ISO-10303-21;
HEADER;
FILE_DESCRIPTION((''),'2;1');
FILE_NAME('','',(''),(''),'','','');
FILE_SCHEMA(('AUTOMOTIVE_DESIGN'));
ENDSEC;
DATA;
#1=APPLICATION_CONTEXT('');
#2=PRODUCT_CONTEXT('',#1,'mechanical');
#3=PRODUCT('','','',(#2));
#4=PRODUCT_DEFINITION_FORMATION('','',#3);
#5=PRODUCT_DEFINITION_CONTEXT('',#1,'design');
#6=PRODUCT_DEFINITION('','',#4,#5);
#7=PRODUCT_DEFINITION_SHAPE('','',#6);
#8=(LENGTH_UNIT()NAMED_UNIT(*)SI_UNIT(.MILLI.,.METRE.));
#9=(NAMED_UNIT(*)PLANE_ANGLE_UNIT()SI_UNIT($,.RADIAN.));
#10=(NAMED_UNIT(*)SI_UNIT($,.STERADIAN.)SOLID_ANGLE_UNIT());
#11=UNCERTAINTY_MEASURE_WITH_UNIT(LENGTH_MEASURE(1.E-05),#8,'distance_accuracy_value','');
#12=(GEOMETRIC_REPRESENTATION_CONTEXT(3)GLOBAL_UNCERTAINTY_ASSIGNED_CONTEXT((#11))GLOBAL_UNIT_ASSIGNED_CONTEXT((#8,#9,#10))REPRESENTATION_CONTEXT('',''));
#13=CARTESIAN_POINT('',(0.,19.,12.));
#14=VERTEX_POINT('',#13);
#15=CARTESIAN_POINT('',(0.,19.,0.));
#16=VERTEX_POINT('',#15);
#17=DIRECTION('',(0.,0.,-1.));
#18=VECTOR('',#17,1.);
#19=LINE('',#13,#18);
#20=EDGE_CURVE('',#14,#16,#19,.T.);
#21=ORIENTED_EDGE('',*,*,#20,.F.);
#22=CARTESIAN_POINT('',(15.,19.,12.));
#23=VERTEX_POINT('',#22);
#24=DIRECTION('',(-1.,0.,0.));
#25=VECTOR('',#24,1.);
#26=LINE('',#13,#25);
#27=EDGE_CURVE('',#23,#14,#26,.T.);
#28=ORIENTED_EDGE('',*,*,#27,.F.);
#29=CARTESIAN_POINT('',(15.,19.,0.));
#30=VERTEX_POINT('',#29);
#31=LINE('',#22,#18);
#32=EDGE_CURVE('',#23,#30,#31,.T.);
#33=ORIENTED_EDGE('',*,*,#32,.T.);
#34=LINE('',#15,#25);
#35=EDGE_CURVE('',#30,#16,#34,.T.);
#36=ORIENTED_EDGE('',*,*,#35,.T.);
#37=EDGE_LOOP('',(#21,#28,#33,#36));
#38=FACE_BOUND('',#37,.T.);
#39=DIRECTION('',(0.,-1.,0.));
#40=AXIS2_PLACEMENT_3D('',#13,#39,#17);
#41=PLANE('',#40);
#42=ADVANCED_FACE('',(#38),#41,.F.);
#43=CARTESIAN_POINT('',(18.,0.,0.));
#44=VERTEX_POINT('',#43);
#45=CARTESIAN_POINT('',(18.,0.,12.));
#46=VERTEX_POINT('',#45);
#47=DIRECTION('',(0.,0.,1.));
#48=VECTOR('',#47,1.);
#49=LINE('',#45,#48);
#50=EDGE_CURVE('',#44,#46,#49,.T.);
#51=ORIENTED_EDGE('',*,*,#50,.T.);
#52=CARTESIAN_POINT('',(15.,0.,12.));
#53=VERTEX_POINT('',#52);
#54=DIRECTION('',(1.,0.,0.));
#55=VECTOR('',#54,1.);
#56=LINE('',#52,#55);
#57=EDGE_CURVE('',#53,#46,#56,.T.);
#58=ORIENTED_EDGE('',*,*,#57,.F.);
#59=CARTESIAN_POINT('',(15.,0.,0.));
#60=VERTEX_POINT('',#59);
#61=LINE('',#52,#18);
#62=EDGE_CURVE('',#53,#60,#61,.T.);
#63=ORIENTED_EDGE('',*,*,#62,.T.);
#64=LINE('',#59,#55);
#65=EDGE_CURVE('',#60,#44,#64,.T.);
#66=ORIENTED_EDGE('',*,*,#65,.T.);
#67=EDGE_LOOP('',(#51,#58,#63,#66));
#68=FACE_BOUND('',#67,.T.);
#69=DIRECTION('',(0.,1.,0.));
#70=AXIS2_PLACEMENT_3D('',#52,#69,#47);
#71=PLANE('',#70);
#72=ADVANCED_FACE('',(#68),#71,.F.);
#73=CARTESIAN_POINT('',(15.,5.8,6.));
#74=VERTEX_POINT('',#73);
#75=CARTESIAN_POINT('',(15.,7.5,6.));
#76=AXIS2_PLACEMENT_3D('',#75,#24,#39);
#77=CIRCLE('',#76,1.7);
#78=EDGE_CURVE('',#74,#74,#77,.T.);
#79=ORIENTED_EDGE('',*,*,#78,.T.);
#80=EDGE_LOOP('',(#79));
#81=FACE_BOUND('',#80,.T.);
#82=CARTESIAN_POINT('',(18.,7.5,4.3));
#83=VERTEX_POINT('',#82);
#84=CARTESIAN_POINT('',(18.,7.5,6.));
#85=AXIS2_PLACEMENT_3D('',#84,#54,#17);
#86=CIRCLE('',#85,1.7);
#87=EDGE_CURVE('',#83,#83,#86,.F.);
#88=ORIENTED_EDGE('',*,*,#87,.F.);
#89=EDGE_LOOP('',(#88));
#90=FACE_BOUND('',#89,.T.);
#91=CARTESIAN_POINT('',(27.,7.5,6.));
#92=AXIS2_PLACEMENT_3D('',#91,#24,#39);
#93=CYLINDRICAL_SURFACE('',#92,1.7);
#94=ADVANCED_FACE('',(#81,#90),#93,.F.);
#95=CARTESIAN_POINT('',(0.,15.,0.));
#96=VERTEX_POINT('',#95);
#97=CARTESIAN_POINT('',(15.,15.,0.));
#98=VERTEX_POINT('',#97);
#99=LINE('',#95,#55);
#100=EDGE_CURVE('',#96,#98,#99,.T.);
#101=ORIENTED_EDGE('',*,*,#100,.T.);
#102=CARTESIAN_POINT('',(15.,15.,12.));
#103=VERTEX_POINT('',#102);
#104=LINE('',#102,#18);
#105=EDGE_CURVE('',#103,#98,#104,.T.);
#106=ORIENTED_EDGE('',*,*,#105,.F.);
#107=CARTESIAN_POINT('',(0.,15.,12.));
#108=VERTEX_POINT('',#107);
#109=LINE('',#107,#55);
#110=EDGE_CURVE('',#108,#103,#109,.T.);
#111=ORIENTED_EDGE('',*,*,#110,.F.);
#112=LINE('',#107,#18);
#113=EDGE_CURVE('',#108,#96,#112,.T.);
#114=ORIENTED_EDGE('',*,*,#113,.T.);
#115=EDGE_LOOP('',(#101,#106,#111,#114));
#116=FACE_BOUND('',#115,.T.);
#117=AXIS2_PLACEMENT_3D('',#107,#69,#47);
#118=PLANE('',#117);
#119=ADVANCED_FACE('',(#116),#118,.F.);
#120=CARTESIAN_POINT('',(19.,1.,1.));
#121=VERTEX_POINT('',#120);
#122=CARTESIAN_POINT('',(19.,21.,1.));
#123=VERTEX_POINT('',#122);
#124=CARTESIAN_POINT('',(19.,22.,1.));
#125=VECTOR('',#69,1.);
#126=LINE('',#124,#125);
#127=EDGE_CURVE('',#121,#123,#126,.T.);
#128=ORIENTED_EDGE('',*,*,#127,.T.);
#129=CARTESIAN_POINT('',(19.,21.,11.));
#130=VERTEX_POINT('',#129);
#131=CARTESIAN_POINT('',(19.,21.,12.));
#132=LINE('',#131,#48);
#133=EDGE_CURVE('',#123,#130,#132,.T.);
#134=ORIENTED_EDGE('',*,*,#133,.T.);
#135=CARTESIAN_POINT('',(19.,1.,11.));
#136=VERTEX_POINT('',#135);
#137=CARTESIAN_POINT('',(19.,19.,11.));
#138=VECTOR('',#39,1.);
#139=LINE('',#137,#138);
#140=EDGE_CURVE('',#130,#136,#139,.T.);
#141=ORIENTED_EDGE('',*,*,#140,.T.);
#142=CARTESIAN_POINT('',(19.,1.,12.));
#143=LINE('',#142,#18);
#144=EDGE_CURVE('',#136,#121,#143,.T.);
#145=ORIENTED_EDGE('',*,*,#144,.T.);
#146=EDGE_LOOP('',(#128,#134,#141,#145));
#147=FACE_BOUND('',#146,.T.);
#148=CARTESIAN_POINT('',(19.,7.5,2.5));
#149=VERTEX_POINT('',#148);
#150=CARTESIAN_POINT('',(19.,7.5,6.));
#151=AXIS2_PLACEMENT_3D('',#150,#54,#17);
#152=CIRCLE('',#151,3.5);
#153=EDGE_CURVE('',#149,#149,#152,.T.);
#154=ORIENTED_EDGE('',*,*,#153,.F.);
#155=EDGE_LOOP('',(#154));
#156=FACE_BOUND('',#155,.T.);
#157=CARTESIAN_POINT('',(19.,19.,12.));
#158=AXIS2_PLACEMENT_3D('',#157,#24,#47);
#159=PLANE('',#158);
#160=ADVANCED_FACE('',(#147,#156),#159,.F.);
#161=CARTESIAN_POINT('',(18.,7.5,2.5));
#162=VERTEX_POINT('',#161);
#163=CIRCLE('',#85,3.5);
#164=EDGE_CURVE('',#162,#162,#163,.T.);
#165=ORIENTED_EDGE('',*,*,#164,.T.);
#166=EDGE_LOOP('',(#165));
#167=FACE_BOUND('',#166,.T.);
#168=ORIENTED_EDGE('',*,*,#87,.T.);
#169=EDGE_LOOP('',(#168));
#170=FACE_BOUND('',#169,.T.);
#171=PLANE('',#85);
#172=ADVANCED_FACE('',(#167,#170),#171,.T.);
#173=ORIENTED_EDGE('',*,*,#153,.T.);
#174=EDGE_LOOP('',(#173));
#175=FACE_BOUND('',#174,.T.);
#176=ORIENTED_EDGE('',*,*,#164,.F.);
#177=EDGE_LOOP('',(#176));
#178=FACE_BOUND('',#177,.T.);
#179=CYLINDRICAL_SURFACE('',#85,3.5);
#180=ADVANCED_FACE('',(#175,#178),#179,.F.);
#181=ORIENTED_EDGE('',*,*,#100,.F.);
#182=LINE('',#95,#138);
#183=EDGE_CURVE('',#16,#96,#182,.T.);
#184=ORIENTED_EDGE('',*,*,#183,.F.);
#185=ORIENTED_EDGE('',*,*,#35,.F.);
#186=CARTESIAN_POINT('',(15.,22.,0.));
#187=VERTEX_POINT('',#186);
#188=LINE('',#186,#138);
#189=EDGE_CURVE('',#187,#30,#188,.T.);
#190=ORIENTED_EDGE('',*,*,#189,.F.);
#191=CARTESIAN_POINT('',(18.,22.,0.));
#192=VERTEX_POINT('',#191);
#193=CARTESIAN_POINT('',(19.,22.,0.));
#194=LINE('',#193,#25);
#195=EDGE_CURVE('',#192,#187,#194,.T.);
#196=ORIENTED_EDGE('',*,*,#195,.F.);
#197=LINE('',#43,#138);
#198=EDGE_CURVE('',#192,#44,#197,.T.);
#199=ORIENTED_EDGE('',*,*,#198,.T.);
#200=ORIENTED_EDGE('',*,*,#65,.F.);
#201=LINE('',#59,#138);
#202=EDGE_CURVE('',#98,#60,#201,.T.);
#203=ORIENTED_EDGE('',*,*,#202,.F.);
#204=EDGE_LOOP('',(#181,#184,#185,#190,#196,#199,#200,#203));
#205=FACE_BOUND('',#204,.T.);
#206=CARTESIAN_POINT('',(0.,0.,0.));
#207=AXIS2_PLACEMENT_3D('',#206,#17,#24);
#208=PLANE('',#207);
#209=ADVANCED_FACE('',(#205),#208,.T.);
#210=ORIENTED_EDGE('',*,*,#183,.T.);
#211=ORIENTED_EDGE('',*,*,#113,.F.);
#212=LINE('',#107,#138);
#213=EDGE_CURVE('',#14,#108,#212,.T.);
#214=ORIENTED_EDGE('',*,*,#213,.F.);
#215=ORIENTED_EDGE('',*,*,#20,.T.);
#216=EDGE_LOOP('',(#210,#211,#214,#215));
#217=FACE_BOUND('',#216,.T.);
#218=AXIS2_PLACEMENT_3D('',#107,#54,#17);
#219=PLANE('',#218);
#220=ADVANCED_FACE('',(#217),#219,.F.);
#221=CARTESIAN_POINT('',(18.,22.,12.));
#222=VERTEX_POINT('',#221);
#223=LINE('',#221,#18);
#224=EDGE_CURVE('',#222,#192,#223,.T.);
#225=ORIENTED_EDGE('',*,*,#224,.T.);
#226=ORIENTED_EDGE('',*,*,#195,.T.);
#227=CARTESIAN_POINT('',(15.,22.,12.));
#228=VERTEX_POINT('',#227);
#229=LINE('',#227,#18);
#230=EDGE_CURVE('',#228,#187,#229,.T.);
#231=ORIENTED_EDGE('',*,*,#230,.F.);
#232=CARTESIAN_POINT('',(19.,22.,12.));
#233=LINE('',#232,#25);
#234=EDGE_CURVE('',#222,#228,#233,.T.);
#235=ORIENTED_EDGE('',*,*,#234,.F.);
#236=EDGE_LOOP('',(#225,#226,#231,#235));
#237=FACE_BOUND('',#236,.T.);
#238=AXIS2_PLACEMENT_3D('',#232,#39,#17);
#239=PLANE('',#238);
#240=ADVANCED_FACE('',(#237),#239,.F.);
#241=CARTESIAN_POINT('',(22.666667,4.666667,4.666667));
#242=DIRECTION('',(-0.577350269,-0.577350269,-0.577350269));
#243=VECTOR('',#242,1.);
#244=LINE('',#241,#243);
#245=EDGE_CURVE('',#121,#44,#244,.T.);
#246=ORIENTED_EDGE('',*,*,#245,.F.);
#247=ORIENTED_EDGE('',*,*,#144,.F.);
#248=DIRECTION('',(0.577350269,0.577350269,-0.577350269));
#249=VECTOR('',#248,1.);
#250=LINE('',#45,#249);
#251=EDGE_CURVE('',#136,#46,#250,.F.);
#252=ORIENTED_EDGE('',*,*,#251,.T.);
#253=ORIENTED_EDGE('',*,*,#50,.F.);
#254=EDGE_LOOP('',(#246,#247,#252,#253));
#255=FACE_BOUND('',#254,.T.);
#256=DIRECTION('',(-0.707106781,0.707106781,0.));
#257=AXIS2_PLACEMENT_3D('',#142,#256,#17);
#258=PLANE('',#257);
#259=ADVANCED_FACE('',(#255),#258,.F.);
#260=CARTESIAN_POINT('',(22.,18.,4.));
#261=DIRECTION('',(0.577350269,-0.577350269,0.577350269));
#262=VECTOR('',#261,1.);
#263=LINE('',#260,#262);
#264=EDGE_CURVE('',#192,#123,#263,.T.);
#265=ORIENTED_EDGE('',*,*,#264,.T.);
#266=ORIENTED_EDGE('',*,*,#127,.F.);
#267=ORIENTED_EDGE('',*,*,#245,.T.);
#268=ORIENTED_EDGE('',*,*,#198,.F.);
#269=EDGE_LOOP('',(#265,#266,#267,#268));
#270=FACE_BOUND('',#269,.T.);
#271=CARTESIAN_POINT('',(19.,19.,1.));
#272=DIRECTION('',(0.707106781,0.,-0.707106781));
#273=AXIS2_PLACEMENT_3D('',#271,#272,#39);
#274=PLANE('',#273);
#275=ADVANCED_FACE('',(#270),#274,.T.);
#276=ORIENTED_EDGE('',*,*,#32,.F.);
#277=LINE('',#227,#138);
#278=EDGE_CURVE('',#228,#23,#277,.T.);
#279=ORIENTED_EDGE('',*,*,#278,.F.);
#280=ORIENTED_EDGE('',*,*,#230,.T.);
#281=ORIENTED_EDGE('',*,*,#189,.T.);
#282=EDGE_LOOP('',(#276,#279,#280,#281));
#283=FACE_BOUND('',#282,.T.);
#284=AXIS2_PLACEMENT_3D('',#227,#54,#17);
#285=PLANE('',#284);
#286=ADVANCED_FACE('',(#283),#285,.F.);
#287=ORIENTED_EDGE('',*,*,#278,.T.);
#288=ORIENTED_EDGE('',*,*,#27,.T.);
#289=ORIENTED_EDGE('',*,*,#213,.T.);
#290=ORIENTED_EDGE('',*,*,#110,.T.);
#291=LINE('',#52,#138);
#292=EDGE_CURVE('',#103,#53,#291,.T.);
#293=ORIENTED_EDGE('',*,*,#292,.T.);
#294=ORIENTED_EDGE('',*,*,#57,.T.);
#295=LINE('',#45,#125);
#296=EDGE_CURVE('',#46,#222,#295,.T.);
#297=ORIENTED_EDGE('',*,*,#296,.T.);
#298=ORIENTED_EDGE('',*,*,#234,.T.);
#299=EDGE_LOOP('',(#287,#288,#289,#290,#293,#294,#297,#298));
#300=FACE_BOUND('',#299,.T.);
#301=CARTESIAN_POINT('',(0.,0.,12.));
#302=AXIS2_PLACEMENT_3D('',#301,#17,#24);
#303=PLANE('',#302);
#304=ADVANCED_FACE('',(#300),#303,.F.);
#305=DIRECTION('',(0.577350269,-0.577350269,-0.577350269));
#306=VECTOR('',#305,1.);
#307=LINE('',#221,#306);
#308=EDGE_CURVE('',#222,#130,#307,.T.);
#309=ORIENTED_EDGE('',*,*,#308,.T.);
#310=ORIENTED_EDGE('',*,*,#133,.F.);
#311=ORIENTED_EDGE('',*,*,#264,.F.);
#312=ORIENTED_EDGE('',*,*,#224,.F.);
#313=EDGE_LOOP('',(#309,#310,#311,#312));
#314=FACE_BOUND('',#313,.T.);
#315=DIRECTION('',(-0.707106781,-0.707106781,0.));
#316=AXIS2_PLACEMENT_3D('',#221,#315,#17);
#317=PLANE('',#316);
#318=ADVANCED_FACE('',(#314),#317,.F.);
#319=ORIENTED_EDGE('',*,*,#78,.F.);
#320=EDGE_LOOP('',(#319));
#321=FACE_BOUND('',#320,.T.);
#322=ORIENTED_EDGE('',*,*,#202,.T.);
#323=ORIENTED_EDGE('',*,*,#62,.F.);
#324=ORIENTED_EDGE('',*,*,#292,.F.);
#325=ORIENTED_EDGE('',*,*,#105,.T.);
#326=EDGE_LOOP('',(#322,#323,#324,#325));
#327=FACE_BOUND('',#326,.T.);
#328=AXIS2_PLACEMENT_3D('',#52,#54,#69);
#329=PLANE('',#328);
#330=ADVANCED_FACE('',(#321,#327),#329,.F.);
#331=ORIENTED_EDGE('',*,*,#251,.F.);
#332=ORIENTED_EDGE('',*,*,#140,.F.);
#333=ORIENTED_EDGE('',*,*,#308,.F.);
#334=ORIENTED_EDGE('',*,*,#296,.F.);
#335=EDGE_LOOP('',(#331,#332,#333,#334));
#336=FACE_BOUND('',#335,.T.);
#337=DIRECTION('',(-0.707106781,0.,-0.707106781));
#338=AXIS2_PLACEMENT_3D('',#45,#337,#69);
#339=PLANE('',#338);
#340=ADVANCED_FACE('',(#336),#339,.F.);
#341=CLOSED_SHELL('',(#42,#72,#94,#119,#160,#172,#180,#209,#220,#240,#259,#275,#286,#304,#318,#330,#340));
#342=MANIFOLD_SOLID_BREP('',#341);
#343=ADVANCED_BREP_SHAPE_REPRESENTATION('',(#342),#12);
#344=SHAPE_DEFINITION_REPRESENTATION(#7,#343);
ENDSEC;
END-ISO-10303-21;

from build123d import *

# Parameters (mm, degrees)
BOSS_EXTRUDE1_DEPTH = 12
SKETCH2_R           = 1.7
CUT_EXTRUDE1_DEPTH  = 12
SKETCH3_R           = 3.5
CUT_EXTRUDE2_DEPTH  = 1
CHAMFER1_SIZE       = 1


with BuildPart() as part:
    # Sketch1 → Boss-Extrude1 (new body)
    with BuildSketch(Plane.XY):
        Polygon((0, 19), (15, 19), (15, 22), (19, 22), (19, 19), (19, 0), (15, 0), (15, 15), (0, 15), align=None)
    extrude(amount=BOSS_EXTRUDE1_DEPTH)

    # Sketch2 → Cut-Extrude1 (cut)
    with BuildSketch(Plane.ZY.offset(-15)):
        with Locations((6, 7.5)):
            Circle(SKETCH2_R)
    extrude(amount=-CUT_EXTRUDE1_DEPTH, mode=Mode.SUBTRACT)

    # Sketch3 → Cut-Extrude2 (cut)
    with BuildSketch(Plane(origin=(19, 0, 0), x_dir=(0, 0, -1), z_dir=(1, 0, 0))):
        with Locations((-6, 7.5)):
            Circle(SKETCH3_R)
    extrude(amount=-CUT_EXTRUDE2_DEPTH, mode=Mode.SUBTRACT)

    # Chamfer1
    chamfer1_edges = [part.edges().sort_by_distance(p)[0] for p in [
        (19, 11, 12),
        (19, 11, 0),
        (19, 22, 6),
        (19, 0, 6),
    ]]
    chamfer(chamfer1_edges, length=CHAMFER1_SIZE)


solid = part.part
